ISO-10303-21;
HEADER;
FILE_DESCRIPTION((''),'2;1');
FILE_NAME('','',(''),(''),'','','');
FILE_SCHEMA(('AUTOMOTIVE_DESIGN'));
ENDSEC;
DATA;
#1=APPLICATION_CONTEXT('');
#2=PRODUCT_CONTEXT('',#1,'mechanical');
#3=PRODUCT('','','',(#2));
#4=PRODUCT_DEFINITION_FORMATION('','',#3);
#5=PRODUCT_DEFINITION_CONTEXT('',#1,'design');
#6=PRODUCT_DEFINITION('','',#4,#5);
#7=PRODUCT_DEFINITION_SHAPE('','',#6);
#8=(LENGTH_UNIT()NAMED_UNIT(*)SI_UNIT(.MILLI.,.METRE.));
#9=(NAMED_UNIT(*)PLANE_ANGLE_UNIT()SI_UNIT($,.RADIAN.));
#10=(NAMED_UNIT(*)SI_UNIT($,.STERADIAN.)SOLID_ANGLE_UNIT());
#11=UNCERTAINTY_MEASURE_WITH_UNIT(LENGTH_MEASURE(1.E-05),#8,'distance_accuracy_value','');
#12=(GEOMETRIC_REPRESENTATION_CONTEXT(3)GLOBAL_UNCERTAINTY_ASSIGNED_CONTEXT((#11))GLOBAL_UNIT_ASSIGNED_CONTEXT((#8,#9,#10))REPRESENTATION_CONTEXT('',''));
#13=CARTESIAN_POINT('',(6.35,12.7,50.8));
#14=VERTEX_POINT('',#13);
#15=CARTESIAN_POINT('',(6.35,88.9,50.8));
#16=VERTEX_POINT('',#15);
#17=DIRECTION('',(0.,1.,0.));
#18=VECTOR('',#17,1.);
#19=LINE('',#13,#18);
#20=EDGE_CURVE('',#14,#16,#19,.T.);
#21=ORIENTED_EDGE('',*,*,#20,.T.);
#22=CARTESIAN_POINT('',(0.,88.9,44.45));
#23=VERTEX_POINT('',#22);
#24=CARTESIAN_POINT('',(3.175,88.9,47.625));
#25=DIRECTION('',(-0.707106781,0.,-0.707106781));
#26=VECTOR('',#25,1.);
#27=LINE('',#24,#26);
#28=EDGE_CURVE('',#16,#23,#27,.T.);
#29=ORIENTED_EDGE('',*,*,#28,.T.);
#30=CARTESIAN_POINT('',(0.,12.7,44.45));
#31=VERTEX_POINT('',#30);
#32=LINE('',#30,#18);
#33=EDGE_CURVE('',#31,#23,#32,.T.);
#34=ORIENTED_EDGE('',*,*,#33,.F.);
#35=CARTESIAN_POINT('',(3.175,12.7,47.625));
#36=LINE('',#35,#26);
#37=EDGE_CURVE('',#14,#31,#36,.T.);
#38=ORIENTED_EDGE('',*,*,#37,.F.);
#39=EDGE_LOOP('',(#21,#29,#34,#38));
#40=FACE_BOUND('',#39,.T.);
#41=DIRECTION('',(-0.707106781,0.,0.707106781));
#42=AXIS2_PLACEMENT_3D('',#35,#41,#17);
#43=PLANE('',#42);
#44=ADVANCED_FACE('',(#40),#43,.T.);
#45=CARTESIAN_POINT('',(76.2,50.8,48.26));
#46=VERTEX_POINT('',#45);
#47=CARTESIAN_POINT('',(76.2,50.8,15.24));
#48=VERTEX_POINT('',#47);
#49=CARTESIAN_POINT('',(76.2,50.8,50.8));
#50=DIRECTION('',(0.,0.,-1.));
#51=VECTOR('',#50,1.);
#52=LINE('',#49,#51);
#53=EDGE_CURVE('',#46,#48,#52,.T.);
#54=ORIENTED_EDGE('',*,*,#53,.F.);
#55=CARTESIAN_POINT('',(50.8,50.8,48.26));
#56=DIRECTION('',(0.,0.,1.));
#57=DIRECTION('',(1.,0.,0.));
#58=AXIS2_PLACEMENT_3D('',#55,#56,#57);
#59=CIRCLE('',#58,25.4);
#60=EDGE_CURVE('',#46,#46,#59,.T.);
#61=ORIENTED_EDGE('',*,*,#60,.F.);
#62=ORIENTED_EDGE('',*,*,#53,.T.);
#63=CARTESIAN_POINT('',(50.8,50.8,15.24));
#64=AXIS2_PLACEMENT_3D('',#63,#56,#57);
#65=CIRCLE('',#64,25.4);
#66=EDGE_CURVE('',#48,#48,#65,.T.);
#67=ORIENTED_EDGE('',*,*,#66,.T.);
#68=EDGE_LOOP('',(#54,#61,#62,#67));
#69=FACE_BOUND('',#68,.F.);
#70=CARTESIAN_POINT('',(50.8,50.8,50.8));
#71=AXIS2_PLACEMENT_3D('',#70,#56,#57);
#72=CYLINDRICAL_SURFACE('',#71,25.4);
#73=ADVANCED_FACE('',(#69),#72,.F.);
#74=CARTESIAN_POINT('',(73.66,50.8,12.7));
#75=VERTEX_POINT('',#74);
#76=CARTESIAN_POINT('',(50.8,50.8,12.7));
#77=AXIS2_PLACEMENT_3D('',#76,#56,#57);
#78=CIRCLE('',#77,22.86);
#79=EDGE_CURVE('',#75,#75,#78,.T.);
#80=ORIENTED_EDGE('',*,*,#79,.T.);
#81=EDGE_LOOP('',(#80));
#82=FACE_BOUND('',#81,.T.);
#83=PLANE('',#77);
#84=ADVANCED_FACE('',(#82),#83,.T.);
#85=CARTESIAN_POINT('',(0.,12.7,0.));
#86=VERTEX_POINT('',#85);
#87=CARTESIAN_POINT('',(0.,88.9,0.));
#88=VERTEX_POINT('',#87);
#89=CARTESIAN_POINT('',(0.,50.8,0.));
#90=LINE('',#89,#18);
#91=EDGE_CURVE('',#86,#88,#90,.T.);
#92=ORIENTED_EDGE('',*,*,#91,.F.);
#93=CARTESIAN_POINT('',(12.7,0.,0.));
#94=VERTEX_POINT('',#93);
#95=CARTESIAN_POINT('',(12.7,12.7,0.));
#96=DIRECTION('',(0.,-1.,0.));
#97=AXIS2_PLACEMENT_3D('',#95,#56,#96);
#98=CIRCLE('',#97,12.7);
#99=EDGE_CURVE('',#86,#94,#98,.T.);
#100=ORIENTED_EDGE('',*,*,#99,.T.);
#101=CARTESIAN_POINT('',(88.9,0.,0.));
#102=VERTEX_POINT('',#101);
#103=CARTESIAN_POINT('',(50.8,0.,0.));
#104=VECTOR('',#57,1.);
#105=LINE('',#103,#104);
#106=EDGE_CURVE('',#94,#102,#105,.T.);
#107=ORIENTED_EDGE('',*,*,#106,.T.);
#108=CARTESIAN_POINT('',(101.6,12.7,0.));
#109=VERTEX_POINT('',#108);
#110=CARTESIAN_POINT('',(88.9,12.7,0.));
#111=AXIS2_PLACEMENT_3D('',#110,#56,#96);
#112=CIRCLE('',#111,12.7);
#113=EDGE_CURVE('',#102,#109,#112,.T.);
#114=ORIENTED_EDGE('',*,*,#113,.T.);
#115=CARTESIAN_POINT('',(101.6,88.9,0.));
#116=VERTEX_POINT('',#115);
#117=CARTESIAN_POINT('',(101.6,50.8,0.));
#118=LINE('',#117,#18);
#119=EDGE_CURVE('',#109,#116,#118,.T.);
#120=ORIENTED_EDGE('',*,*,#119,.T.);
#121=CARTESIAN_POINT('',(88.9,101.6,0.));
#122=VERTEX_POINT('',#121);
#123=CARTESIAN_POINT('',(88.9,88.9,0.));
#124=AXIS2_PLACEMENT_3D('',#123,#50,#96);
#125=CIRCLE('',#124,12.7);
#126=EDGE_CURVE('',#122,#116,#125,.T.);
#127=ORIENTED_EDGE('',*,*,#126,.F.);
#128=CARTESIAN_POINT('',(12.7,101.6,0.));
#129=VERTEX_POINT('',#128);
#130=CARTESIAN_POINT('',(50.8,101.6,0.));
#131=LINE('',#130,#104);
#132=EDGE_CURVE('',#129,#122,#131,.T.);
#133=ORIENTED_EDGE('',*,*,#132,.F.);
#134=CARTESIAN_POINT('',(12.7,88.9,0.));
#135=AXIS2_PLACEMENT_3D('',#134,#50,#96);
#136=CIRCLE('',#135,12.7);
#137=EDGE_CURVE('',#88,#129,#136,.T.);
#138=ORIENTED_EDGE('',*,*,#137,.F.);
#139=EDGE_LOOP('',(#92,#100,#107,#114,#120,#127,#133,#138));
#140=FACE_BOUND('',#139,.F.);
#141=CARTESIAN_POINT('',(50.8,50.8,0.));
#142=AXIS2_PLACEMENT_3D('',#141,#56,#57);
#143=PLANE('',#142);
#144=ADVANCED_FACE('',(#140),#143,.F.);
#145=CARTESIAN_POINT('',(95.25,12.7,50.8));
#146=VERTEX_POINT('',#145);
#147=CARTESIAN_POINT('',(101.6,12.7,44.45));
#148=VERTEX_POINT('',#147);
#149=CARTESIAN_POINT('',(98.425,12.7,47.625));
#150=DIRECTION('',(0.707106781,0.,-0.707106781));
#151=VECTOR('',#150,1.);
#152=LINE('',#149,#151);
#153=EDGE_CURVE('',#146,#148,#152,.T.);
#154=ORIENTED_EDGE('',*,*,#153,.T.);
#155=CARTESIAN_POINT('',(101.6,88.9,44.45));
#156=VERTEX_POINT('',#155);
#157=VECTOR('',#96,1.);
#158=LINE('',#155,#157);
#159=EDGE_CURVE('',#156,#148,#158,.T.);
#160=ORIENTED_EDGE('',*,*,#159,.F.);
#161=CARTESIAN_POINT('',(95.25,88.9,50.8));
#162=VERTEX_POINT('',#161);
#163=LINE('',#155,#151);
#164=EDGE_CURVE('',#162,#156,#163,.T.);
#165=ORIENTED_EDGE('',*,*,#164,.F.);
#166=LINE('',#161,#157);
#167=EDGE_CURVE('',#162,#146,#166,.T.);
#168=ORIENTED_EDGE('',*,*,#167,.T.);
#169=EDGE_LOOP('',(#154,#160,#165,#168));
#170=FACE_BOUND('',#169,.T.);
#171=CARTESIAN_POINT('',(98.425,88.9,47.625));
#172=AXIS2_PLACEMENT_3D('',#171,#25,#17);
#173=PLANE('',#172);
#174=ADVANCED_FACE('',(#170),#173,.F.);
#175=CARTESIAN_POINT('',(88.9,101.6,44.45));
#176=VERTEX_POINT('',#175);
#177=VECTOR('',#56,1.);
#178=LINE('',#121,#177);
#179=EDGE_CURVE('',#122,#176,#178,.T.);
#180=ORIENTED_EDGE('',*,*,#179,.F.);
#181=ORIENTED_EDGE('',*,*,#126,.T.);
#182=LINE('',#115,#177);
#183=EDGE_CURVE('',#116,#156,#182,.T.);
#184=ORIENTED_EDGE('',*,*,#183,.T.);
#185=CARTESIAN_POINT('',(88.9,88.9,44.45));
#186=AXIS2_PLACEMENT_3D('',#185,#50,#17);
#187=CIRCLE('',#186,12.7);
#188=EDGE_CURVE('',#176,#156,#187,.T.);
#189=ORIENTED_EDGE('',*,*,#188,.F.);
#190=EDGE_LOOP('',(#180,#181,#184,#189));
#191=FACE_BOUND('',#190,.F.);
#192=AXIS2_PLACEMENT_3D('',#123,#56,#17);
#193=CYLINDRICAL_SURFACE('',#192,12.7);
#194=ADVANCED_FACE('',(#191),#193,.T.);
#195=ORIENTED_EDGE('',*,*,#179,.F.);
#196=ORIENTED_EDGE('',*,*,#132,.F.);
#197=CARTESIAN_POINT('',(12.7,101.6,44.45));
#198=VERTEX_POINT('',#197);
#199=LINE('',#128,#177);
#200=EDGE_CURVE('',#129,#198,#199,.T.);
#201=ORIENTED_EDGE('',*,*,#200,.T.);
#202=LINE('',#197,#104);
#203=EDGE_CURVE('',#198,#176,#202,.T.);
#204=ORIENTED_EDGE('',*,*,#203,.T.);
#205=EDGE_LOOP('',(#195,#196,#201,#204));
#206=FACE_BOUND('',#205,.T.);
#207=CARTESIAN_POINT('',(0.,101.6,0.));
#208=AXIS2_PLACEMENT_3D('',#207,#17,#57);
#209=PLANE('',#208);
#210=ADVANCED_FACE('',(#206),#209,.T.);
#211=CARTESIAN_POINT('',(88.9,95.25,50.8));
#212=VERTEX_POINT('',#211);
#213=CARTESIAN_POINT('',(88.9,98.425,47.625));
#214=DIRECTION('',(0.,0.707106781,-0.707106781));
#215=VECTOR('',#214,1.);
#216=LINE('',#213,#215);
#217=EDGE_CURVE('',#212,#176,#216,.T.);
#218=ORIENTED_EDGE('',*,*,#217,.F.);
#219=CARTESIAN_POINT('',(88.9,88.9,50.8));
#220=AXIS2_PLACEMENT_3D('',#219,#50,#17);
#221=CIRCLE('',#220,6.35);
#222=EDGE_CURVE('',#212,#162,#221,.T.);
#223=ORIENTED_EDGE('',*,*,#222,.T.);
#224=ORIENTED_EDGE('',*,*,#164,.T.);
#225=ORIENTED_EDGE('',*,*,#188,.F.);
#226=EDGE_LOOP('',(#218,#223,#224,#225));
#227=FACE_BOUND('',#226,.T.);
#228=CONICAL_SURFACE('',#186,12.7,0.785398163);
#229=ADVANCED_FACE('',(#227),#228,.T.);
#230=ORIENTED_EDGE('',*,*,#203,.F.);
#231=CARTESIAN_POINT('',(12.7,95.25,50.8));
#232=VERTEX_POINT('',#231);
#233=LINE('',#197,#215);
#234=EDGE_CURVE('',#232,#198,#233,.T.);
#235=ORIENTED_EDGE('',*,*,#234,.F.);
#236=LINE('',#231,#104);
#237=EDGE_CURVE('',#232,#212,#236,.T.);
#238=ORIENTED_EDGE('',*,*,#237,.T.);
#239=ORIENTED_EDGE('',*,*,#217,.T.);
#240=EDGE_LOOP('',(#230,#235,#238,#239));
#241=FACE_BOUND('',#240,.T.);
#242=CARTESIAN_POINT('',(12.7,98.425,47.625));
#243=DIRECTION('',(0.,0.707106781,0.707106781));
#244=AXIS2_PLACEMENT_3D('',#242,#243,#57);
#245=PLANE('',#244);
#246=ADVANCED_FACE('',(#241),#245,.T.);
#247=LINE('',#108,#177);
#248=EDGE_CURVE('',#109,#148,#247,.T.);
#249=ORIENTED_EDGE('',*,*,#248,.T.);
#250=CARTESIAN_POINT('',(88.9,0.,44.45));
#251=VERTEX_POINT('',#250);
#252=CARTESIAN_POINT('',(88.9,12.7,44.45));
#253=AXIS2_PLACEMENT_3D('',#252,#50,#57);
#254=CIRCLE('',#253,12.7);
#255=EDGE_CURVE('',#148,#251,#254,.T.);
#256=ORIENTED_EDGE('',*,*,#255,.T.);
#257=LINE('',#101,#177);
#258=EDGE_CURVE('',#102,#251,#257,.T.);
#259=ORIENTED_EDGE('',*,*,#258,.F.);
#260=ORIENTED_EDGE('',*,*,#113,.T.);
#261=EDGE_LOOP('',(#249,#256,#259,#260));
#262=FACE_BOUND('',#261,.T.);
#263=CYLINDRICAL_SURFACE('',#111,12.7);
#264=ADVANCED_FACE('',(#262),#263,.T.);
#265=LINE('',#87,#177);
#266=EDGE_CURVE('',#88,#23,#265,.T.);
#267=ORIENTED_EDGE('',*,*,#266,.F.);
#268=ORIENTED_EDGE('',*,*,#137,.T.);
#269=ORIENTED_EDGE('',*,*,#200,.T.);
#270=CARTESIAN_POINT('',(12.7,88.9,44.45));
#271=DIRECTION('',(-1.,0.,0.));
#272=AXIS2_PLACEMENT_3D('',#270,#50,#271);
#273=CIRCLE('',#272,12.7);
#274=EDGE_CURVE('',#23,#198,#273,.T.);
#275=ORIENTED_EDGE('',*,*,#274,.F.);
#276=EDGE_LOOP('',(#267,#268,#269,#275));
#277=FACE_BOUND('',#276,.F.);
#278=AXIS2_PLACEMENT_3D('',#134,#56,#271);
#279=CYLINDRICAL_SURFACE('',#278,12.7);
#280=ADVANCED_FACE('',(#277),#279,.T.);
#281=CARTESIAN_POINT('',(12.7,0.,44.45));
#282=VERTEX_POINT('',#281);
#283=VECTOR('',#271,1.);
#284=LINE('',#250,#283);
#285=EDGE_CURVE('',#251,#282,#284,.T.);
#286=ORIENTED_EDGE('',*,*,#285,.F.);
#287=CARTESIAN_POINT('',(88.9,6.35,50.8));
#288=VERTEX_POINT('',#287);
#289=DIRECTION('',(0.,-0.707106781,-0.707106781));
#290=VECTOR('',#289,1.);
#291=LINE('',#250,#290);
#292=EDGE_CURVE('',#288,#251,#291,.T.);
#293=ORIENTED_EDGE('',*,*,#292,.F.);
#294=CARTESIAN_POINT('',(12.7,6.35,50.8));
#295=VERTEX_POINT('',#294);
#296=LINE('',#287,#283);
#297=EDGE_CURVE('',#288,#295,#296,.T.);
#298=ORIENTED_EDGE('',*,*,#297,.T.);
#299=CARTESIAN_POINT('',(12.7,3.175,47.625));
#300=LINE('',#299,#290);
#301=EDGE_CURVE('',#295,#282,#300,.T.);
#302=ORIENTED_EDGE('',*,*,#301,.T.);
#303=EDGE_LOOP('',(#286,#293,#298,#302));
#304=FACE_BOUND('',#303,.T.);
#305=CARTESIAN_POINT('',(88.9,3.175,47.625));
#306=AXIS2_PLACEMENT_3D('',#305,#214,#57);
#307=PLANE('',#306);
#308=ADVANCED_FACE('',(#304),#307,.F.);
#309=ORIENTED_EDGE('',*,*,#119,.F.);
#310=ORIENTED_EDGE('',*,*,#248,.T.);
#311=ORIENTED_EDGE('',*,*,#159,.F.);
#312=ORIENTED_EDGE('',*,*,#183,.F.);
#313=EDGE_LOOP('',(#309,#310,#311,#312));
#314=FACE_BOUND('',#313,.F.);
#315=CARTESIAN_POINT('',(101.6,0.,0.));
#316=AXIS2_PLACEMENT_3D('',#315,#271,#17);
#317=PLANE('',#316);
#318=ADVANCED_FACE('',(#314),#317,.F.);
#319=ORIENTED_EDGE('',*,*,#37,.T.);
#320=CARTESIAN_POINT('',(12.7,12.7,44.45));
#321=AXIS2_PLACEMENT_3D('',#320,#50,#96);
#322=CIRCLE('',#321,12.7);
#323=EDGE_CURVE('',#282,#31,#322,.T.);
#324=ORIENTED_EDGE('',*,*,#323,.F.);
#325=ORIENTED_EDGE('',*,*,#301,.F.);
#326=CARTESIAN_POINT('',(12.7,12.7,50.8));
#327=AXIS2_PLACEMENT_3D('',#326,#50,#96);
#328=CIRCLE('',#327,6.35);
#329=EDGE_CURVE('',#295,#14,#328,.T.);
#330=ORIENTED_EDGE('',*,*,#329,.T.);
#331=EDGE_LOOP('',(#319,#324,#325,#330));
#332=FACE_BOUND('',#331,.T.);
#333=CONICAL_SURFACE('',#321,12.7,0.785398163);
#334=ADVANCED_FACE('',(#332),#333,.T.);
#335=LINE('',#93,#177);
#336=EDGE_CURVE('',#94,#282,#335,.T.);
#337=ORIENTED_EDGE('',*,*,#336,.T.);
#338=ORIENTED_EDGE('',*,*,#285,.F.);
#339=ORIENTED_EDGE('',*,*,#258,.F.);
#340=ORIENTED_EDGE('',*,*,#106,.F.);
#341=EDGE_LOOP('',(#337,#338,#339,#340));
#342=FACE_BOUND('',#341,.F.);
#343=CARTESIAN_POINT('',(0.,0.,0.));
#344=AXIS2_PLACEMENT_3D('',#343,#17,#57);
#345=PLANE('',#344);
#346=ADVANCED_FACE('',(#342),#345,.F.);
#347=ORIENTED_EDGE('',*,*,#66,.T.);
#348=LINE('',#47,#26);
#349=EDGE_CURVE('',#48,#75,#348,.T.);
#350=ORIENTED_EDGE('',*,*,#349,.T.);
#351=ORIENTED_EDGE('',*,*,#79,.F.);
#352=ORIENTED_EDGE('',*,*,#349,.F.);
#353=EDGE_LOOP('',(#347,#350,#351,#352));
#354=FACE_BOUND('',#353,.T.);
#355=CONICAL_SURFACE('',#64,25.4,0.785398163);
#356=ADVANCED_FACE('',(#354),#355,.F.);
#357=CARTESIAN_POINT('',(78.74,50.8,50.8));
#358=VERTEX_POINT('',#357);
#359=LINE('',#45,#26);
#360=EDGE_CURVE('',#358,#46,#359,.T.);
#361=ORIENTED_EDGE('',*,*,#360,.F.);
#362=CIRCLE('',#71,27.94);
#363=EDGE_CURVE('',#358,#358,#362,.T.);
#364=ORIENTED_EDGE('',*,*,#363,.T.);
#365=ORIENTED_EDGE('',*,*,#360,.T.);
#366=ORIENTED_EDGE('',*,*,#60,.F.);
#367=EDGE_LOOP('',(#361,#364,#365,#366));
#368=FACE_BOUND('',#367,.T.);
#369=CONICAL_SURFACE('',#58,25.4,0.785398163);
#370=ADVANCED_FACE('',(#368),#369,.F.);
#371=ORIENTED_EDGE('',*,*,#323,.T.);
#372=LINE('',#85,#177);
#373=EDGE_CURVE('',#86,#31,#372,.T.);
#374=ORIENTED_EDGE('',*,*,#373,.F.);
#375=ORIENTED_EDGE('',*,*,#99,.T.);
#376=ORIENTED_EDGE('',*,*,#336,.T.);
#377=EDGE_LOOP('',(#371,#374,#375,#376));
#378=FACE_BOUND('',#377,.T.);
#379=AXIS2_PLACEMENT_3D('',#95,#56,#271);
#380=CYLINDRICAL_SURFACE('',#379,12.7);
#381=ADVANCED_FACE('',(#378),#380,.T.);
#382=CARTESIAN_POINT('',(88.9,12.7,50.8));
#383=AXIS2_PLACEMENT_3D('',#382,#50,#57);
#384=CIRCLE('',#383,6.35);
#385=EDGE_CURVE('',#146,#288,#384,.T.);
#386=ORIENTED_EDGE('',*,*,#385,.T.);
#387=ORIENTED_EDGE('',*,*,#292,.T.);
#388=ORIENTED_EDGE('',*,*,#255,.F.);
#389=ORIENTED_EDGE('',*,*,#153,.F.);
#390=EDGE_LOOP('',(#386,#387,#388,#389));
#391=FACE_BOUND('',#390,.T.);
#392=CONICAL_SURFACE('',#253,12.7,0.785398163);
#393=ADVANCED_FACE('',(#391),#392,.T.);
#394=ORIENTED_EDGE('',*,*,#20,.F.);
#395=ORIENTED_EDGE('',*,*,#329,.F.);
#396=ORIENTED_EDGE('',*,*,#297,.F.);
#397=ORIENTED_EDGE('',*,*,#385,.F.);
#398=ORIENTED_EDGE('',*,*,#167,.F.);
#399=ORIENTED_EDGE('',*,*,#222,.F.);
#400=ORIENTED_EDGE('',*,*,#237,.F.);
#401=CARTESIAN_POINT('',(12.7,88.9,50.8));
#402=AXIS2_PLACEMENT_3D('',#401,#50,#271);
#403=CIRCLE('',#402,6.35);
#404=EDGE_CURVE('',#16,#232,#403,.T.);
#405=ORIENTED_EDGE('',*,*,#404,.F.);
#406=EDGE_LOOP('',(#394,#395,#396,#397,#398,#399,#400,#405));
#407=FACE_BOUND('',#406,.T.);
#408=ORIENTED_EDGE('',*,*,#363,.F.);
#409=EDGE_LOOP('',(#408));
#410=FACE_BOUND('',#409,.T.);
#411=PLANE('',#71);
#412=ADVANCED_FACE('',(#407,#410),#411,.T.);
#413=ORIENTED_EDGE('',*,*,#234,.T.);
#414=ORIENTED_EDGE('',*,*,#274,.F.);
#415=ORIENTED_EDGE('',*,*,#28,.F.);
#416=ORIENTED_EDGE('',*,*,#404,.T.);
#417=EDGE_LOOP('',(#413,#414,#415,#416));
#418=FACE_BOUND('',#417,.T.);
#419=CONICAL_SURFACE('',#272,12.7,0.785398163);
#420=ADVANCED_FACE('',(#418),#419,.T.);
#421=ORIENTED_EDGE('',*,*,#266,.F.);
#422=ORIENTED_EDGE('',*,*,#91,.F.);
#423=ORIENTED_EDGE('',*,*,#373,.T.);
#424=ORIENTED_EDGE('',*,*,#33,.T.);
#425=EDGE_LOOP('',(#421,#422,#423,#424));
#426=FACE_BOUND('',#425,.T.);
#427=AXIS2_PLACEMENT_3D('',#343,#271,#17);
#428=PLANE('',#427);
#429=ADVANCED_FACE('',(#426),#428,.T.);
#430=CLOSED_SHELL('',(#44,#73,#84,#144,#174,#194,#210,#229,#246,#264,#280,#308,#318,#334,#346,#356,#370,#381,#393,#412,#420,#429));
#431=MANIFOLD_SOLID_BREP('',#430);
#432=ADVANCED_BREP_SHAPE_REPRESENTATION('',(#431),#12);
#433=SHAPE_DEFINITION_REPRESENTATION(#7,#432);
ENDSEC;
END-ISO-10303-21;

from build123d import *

# Parameters (mm, degrees)
F0_W     = 101.6
F0_H     = 101.6
F1_DEPTH = 50.8
F2_R     = 25.4
F3_DEPTH = 38.1
F4_R     = 12.7
F5_SIZE  = 2.54
F6_SIZE  = 6.35


with BuildPart() as f1:
    # F0 (on Top) → F1 (new body)
    with BuildSketch(Plane.XY):
        with Locations((50.8, 50.8)):
            Rectangle(F0_W, F0_H)
    extrude(amount=F1_DEPTH)

    # F2 (on face) → F3 (cut)
    with BuildSketch(Plane.XY.offset(50.8)):
        with Locations((50.8, 50.8)):
            Circle(F2_R)
    extrude(amount=-F3_DEPTH, mode=Mode.SUBTRACT)

    # F4
    f4_edges = [f1.edges().sort_by_distance(p)[0] for p in [
        (101.6, 0, 25.4),
        (0, 0, 25.4),
        (101.6, 101.6, 25.4),
        (0, 101.6, 25.4),
    ]]
    fillet(f4_edges, radius=F4_R)

    # F5
    f5_edges = [f1.edges().sort_by_distance(p)[0] for p in [
        (25.4, 50.8, 12.7),
        (25.4, 50.8, 50.8),
    ]]
    chamfer(f5_edges, length=F5_SIZE)

    # F6
    f6_edges = [f1.edges().sort_by_distance(p)[0] for p in [
        (0, 50.8, 50.8),
    ]]
    chamfer(f6_edges, length=F6_SIZE)


solid = f1.part
